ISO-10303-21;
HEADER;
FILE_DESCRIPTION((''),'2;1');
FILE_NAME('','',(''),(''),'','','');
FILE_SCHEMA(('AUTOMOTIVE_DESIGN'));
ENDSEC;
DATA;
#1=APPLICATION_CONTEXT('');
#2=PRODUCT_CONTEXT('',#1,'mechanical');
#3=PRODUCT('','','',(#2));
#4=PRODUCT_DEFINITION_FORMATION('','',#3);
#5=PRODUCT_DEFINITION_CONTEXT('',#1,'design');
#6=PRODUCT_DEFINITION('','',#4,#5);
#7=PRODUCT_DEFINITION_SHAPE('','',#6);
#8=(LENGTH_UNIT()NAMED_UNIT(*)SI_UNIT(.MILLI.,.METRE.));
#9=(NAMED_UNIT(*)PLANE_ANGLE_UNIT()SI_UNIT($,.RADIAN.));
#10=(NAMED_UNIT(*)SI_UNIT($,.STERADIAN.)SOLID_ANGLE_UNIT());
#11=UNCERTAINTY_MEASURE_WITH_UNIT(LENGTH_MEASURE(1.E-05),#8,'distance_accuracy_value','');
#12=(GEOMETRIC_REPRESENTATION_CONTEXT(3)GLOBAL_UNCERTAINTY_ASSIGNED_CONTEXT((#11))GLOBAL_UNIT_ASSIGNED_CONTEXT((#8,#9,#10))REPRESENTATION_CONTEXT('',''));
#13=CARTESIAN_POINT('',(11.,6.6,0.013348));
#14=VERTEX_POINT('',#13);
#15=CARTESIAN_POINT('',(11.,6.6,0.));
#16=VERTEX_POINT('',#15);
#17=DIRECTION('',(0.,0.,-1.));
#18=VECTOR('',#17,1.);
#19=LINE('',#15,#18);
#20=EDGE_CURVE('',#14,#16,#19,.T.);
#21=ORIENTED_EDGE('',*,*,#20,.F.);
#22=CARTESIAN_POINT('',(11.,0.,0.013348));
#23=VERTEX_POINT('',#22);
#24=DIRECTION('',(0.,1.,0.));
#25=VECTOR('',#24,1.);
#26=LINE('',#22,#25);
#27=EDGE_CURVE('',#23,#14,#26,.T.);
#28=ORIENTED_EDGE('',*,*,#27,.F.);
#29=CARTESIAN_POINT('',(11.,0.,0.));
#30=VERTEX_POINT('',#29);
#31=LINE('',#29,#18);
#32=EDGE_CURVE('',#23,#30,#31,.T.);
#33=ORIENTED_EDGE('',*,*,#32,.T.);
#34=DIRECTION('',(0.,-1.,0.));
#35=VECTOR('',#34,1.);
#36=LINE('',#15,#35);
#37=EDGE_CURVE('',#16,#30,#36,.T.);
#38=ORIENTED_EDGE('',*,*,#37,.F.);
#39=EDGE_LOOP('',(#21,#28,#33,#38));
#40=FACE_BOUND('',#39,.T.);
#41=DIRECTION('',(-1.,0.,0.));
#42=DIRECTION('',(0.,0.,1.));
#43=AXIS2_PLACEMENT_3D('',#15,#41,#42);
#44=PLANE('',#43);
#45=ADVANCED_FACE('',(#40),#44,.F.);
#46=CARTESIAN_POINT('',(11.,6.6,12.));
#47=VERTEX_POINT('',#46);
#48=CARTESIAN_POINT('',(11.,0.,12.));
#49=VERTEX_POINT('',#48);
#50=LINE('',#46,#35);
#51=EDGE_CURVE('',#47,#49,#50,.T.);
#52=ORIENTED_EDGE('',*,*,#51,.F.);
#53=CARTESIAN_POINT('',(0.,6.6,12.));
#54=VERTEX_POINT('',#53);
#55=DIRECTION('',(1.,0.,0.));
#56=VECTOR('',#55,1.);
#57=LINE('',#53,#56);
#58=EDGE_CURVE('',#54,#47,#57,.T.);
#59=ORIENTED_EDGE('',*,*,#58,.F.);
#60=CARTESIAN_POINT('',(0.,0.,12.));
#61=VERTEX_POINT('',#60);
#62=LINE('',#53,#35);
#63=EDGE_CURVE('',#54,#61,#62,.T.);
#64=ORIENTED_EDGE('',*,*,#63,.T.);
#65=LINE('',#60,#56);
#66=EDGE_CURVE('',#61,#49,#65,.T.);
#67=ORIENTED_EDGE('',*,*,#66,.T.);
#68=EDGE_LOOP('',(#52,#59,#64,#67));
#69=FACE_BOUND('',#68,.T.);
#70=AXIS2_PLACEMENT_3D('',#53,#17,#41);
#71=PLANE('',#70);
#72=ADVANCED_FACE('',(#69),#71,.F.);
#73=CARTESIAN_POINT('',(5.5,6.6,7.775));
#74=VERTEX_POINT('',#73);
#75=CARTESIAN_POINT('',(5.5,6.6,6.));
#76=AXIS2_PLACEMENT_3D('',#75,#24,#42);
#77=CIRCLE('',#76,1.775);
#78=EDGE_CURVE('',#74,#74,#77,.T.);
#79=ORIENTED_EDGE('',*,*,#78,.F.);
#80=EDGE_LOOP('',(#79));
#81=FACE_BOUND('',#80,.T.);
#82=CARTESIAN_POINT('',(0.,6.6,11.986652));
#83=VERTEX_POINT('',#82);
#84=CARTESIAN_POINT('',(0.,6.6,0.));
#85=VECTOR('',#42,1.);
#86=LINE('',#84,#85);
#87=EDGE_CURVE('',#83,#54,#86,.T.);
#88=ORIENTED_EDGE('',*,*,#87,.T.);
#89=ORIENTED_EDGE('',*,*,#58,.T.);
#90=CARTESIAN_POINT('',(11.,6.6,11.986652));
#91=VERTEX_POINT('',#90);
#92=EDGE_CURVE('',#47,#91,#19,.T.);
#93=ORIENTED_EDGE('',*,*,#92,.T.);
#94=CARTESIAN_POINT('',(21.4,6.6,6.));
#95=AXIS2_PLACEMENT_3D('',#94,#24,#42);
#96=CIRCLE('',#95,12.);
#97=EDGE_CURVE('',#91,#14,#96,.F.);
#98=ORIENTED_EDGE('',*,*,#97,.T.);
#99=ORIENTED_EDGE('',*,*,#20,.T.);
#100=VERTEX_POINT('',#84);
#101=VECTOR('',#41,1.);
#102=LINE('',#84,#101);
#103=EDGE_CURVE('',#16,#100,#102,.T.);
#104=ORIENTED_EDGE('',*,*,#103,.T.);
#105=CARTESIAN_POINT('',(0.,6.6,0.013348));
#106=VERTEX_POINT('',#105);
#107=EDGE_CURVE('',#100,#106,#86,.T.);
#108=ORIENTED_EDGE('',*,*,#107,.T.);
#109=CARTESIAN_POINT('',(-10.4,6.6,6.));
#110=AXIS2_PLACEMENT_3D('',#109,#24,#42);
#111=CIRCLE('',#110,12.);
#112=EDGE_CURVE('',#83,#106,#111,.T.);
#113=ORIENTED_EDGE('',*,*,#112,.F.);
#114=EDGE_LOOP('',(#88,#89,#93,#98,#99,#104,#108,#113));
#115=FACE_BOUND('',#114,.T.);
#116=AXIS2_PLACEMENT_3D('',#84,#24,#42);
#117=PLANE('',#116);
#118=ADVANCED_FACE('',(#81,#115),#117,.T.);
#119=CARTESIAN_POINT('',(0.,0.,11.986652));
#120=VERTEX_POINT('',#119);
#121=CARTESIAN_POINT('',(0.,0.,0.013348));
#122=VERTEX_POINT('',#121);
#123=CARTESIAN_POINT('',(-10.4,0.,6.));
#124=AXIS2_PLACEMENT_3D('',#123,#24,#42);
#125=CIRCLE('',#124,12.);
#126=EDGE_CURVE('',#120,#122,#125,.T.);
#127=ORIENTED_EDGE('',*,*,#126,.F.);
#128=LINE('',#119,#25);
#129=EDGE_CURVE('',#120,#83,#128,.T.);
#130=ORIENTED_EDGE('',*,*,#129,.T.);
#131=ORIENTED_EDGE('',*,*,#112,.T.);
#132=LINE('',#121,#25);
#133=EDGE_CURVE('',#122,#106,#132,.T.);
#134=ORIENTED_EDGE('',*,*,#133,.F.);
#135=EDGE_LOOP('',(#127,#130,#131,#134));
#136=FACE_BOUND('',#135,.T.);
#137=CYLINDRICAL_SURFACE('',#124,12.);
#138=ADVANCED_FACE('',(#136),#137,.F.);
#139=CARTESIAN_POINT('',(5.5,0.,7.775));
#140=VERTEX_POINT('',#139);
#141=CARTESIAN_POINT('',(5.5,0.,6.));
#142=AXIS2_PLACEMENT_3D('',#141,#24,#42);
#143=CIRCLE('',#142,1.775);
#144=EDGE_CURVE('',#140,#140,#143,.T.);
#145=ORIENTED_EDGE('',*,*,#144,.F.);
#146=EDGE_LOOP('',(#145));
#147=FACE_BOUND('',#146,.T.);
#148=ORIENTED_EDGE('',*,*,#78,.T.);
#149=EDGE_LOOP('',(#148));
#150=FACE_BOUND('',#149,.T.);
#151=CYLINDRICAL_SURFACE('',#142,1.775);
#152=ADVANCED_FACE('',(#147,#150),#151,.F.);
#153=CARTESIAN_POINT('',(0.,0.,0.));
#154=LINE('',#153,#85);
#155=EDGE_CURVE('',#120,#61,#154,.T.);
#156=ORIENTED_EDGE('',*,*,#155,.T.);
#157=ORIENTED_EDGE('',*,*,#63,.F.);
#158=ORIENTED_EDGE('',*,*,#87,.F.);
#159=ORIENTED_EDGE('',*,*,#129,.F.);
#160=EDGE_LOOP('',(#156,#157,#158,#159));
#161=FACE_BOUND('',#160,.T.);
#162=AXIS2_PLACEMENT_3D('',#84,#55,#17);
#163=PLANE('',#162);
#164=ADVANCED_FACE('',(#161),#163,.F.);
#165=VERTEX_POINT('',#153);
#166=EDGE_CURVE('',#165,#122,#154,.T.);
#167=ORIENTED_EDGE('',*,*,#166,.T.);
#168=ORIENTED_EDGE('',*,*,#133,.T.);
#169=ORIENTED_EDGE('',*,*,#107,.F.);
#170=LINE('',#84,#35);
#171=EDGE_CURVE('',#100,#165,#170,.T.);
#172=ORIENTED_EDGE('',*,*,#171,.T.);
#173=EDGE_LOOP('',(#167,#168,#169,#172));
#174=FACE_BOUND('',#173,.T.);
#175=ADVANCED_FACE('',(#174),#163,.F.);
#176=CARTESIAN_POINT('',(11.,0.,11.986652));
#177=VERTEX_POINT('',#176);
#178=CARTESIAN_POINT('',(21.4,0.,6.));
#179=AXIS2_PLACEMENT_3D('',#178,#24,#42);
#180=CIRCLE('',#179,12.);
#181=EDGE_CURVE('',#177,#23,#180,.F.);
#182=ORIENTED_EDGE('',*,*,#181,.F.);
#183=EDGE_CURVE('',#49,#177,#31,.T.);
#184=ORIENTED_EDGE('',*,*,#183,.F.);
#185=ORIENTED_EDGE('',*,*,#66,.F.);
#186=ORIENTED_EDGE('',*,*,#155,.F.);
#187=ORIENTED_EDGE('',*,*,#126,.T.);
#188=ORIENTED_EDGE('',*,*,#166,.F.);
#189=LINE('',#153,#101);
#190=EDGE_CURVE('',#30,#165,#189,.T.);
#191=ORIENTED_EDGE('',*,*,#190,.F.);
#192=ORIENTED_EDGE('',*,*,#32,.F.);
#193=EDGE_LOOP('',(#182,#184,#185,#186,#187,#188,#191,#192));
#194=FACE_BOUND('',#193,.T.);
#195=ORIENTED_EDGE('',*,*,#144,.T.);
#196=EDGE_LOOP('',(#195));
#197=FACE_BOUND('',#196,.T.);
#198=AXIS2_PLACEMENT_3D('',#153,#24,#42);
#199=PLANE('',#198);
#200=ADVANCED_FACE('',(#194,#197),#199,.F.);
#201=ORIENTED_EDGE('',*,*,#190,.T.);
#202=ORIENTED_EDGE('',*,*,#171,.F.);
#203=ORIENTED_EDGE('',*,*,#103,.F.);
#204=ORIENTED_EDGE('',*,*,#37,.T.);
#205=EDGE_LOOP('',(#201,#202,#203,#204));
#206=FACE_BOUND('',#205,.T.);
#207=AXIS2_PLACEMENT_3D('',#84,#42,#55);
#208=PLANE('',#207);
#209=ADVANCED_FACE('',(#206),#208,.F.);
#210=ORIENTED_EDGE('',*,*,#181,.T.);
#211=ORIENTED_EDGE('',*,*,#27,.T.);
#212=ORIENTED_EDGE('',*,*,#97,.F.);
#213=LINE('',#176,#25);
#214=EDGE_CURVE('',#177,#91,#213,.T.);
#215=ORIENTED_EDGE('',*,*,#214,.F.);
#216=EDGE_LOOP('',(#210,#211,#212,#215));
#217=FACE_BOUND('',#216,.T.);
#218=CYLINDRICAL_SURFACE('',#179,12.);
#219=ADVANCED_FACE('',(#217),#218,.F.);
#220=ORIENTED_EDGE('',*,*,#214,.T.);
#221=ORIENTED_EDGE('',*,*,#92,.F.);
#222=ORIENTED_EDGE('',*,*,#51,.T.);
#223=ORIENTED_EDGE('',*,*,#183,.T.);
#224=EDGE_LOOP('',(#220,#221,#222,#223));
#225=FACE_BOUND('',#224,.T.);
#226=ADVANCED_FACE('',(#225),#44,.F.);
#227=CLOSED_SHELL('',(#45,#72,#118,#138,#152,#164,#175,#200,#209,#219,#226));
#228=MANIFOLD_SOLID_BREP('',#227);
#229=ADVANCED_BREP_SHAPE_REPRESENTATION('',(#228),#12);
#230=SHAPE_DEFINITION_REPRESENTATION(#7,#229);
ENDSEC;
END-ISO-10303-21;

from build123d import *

# Parameters (mm, degrees)
SKETCH1_W           = 11
SKETCH1_H           = 12
BOSS_EXTRUDE1_DEPTH = 6.6
CUT_EXTRUDE1_DEPTH  = 6.6


with BuildPart() as part:
    # Sketch1 → Boss-Extrude1 (new body)
    with BuildSketch(Plane(origin=(0, 0, 0), x_dir=(1, 0, 0), z_dir=(0, 1, 0))):
        with Locations((5.5, -6)):
            Rectangle(SKETCH1_W, SKETCH1_H)
    extrude(amount=BOSS_EXTRUDE1_DEPTH)

    # Sketch2 → Cut-Extrude1 (cut)
    with BuildSketch(Plane(origin=(0, 6.6, 0), x_dir=(1, 0, 0), z_dir=(0, 1, 0))):
        with BuildLine():
            ThreePointArc((11, -0.013348181), (9.4, -6), (11, -11.986651819))
            Line((11, -11.986651819), (11, -0.013348181))
        make_face()
        with BuildLine():
            ThreePointArc((0, -11.986651819), (1.6, -6), (0, -0.013348181))
            Line((0, -0.013348181), (0, -11.986651819))
        make_face()
        with BuildLine():
            ThreePointArc((7.275, -6), (6.755114537, -4.744885463), (5.5, -4.225))
            Line((5.5, -4.225), (5.5, -7.775))
            ThreePointArc((5.5, -7.775), (6.755114537, -7.255114537), (7.275, -6))
        make_face()
        with BuildLine():
            Line((5.5, -7.775), (5.5, -4.225))
            ThreePointArc((5.5, -4.225), (3.725, -6), (5.5, -7.775))
        make_face()
    extrude(amount=-CUT_EXTRUDE1_DEPTH, mode=Mode.SUBTRACT)


solid = part.part
